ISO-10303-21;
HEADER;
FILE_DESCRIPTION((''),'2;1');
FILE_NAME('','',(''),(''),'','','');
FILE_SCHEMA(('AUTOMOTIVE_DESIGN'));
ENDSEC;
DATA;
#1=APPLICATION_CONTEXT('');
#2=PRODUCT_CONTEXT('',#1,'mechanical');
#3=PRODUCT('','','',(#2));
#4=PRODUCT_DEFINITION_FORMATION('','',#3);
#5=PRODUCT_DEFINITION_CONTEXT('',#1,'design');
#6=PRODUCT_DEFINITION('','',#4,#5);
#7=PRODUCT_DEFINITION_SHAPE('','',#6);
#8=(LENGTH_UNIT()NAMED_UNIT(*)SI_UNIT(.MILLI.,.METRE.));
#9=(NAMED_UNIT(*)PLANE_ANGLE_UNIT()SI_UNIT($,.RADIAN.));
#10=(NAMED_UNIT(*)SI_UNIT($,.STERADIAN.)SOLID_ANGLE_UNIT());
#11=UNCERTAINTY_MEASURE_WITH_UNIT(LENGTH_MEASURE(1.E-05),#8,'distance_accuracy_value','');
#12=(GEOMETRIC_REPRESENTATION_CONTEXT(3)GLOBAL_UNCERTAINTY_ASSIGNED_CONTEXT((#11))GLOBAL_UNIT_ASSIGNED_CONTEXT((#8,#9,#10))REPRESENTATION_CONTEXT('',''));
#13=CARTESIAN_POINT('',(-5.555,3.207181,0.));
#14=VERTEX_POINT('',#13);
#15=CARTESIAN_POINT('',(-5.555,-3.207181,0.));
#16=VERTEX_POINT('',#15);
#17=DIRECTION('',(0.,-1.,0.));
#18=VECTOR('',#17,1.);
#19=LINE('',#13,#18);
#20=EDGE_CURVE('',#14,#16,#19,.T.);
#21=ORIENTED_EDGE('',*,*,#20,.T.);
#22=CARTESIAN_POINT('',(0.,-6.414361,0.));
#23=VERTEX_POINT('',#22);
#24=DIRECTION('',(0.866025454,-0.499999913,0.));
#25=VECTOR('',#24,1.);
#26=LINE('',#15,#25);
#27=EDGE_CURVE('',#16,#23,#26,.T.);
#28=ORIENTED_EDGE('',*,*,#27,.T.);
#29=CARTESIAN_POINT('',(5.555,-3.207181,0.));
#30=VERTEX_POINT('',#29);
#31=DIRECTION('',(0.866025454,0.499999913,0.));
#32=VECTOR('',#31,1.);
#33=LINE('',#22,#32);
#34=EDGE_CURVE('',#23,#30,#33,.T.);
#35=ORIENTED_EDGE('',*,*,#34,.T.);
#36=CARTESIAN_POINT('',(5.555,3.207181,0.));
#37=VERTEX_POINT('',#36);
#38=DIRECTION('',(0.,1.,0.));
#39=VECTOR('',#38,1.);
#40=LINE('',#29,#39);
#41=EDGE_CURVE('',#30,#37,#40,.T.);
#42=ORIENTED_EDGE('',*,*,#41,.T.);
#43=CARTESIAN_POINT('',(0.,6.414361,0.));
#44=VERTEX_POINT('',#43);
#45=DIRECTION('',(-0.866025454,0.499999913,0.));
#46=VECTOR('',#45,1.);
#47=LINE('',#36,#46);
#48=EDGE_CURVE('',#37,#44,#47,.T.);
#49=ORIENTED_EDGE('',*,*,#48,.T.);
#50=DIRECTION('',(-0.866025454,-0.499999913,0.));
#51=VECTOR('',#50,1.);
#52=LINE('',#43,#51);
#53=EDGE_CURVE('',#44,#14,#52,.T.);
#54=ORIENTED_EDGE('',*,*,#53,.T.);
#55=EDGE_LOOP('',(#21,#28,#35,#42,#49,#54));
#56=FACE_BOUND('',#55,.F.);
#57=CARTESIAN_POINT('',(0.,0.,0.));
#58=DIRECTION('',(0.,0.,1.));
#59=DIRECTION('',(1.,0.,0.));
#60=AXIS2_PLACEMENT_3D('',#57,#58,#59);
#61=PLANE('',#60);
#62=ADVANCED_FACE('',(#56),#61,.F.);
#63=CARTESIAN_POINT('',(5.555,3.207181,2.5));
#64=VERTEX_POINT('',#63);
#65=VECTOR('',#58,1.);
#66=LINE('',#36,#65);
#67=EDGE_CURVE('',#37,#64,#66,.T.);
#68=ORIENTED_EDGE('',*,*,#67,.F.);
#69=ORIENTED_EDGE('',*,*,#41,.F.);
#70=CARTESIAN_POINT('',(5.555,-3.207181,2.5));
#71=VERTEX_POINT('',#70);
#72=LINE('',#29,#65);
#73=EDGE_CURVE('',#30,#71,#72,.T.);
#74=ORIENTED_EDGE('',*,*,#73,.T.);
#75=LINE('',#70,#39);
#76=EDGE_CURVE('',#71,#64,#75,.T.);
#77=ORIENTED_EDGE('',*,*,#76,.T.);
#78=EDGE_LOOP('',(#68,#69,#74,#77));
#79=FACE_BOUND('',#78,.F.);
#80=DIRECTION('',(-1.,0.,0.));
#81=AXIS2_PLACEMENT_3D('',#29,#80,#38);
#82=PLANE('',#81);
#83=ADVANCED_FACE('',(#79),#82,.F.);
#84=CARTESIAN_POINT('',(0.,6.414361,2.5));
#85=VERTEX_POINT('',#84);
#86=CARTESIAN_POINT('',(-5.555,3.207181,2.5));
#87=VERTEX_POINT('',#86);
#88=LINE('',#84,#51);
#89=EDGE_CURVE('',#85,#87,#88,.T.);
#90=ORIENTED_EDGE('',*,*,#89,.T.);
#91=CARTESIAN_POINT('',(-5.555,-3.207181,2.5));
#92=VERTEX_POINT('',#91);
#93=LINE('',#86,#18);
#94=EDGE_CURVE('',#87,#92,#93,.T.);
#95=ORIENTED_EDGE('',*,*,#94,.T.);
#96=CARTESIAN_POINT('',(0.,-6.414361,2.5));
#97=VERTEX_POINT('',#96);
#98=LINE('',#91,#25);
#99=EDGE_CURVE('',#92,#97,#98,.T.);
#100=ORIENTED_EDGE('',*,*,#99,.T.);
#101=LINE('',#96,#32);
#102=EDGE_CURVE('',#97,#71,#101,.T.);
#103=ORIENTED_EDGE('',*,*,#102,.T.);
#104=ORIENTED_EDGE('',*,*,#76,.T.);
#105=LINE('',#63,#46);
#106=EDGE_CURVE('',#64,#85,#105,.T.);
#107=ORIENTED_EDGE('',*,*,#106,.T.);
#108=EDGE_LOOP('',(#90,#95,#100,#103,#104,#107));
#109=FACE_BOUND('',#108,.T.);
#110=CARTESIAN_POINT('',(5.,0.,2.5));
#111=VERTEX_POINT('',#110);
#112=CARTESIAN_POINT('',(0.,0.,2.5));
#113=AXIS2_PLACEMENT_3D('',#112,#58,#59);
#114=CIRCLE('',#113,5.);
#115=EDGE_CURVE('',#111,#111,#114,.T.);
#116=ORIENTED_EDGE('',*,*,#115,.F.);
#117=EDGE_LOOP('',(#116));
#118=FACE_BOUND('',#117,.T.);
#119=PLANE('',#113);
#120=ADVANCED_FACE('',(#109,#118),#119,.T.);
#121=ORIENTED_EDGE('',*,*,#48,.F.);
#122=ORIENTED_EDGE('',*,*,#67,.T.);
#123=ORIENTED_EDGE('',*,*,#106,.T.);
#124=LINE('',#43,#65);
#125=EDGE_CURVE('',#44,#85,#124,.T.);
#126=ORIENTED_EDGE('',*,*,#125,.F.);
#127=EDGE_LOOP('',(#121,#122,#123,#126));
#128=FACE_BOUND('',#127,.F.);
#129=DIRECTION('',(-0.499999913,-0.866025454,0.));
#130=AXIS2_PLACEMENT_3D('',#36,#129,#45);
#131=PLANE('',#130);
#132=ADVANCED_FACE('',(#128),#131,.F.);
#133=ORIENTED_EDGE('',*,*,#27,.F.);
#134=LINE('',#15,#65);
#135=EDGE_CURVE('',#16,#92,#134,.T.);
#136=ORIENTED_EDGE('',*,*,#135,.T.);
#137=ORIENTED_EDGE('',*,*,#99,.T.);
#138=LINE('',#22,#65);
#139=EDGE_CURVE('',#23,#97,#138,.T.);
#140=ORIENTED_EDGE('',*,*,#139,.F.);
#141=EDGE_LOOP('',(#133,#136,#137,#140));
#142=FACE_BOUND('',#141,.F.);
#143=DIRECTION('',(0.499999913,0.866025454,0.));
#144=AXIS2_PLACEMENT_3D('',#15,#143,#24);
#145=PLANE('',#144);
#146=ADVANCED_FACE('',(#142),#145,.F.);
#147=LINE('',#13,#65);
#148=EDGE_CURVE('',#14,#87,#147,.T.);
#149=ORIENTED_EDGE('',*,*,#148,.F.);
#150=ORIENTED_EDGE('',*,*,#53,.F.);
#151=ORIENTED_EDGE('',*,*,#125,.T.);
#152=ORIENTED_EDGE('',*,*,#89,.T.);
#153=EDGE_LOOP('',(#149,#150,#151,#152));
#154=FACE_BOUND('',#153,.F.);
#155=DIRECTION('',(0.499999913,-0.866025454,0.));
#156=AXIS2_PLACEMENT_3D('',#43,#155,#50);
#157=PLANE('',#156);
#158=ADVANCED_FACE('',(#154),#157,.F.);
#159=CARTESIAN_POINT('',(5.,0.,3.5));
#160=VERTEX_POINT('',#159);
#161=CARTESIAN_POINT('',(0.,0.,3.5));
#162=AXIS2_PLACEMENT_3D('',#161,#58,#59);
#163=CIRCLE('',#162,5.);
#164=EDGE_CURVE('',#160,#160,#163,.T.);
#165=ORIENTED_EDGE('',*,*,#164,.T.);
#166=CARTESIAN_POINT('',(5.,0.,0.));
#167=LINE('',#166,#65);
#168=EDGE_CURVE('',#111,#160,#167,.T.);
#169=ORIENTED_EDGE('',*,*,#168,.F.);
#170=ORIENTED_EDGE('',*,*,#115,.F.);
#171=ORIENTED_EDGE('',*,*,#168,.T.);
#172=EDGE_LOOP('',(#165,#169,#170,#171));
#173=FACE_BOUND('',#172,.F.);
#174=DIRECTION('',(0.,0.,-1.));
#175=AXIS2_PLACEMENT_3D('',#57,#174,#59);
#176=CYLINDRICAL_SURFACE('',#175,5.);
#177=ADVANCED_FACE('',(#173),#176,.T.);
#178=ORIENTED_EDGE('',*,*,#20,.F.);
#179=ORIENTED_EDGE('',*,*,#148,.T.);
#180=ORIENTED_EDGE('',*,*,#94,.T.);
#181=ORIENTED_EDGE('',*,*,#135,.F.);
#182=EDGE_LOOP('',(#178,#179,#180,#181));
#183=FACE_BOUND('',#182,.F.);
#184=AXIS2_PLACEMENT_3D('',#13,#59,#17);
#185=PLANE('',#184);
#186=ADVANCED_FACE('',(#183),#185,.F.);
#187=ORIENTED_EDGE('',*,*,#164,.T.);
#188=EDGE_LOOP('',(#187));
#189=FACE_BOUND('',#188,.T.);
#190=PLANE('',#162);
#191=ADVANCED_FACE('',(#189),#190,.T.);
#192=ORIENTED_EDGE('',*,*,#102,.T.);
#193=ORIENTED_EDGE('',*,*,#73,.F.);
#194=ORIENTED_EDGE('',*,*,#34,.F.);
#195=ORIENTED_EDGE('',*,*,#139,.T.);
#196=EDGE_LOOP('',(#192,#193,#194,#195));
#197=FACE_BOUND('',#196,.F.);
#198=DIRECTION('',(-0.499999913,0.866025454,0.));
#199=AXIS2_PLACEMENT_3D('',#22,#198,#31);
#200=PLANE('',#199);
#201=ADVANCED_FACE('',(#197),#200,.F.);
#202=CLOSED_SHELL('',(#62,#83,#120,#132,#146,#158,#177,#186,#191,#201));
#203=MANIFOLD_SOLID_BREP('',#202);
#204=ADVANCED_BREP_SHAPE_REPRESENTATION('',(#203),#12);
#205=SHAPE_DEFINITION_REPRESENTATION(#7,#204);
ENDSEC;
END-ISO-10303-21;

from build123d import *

# Parameters (mm, degrees)
F0_R     = 5
F1_DEPTH = 3.5
F2_DEPTH = 2.5


with BuildPart() as f1:
    # F0 (on Top) → F1 (new body)
    with BuildSketch(Plane.XY):
        Circle(F0_R)
    extrude(amount=F1_DEPTH)

    # F0 (on Top) → F2 (join)
    with BuildSketch(Plane.XY):
        Polygon((5.555, -3.207181), (5.555, 3.207181), (0, 6.414361), (-5.555, 3.207181), (-5.555, -3.207181), (0, -6.414361), align=None)
        Circle(F0_R, mode=Mode.SUBTRACT)
    extrude(amount=F2_DEPTH)


solid = f1.part
